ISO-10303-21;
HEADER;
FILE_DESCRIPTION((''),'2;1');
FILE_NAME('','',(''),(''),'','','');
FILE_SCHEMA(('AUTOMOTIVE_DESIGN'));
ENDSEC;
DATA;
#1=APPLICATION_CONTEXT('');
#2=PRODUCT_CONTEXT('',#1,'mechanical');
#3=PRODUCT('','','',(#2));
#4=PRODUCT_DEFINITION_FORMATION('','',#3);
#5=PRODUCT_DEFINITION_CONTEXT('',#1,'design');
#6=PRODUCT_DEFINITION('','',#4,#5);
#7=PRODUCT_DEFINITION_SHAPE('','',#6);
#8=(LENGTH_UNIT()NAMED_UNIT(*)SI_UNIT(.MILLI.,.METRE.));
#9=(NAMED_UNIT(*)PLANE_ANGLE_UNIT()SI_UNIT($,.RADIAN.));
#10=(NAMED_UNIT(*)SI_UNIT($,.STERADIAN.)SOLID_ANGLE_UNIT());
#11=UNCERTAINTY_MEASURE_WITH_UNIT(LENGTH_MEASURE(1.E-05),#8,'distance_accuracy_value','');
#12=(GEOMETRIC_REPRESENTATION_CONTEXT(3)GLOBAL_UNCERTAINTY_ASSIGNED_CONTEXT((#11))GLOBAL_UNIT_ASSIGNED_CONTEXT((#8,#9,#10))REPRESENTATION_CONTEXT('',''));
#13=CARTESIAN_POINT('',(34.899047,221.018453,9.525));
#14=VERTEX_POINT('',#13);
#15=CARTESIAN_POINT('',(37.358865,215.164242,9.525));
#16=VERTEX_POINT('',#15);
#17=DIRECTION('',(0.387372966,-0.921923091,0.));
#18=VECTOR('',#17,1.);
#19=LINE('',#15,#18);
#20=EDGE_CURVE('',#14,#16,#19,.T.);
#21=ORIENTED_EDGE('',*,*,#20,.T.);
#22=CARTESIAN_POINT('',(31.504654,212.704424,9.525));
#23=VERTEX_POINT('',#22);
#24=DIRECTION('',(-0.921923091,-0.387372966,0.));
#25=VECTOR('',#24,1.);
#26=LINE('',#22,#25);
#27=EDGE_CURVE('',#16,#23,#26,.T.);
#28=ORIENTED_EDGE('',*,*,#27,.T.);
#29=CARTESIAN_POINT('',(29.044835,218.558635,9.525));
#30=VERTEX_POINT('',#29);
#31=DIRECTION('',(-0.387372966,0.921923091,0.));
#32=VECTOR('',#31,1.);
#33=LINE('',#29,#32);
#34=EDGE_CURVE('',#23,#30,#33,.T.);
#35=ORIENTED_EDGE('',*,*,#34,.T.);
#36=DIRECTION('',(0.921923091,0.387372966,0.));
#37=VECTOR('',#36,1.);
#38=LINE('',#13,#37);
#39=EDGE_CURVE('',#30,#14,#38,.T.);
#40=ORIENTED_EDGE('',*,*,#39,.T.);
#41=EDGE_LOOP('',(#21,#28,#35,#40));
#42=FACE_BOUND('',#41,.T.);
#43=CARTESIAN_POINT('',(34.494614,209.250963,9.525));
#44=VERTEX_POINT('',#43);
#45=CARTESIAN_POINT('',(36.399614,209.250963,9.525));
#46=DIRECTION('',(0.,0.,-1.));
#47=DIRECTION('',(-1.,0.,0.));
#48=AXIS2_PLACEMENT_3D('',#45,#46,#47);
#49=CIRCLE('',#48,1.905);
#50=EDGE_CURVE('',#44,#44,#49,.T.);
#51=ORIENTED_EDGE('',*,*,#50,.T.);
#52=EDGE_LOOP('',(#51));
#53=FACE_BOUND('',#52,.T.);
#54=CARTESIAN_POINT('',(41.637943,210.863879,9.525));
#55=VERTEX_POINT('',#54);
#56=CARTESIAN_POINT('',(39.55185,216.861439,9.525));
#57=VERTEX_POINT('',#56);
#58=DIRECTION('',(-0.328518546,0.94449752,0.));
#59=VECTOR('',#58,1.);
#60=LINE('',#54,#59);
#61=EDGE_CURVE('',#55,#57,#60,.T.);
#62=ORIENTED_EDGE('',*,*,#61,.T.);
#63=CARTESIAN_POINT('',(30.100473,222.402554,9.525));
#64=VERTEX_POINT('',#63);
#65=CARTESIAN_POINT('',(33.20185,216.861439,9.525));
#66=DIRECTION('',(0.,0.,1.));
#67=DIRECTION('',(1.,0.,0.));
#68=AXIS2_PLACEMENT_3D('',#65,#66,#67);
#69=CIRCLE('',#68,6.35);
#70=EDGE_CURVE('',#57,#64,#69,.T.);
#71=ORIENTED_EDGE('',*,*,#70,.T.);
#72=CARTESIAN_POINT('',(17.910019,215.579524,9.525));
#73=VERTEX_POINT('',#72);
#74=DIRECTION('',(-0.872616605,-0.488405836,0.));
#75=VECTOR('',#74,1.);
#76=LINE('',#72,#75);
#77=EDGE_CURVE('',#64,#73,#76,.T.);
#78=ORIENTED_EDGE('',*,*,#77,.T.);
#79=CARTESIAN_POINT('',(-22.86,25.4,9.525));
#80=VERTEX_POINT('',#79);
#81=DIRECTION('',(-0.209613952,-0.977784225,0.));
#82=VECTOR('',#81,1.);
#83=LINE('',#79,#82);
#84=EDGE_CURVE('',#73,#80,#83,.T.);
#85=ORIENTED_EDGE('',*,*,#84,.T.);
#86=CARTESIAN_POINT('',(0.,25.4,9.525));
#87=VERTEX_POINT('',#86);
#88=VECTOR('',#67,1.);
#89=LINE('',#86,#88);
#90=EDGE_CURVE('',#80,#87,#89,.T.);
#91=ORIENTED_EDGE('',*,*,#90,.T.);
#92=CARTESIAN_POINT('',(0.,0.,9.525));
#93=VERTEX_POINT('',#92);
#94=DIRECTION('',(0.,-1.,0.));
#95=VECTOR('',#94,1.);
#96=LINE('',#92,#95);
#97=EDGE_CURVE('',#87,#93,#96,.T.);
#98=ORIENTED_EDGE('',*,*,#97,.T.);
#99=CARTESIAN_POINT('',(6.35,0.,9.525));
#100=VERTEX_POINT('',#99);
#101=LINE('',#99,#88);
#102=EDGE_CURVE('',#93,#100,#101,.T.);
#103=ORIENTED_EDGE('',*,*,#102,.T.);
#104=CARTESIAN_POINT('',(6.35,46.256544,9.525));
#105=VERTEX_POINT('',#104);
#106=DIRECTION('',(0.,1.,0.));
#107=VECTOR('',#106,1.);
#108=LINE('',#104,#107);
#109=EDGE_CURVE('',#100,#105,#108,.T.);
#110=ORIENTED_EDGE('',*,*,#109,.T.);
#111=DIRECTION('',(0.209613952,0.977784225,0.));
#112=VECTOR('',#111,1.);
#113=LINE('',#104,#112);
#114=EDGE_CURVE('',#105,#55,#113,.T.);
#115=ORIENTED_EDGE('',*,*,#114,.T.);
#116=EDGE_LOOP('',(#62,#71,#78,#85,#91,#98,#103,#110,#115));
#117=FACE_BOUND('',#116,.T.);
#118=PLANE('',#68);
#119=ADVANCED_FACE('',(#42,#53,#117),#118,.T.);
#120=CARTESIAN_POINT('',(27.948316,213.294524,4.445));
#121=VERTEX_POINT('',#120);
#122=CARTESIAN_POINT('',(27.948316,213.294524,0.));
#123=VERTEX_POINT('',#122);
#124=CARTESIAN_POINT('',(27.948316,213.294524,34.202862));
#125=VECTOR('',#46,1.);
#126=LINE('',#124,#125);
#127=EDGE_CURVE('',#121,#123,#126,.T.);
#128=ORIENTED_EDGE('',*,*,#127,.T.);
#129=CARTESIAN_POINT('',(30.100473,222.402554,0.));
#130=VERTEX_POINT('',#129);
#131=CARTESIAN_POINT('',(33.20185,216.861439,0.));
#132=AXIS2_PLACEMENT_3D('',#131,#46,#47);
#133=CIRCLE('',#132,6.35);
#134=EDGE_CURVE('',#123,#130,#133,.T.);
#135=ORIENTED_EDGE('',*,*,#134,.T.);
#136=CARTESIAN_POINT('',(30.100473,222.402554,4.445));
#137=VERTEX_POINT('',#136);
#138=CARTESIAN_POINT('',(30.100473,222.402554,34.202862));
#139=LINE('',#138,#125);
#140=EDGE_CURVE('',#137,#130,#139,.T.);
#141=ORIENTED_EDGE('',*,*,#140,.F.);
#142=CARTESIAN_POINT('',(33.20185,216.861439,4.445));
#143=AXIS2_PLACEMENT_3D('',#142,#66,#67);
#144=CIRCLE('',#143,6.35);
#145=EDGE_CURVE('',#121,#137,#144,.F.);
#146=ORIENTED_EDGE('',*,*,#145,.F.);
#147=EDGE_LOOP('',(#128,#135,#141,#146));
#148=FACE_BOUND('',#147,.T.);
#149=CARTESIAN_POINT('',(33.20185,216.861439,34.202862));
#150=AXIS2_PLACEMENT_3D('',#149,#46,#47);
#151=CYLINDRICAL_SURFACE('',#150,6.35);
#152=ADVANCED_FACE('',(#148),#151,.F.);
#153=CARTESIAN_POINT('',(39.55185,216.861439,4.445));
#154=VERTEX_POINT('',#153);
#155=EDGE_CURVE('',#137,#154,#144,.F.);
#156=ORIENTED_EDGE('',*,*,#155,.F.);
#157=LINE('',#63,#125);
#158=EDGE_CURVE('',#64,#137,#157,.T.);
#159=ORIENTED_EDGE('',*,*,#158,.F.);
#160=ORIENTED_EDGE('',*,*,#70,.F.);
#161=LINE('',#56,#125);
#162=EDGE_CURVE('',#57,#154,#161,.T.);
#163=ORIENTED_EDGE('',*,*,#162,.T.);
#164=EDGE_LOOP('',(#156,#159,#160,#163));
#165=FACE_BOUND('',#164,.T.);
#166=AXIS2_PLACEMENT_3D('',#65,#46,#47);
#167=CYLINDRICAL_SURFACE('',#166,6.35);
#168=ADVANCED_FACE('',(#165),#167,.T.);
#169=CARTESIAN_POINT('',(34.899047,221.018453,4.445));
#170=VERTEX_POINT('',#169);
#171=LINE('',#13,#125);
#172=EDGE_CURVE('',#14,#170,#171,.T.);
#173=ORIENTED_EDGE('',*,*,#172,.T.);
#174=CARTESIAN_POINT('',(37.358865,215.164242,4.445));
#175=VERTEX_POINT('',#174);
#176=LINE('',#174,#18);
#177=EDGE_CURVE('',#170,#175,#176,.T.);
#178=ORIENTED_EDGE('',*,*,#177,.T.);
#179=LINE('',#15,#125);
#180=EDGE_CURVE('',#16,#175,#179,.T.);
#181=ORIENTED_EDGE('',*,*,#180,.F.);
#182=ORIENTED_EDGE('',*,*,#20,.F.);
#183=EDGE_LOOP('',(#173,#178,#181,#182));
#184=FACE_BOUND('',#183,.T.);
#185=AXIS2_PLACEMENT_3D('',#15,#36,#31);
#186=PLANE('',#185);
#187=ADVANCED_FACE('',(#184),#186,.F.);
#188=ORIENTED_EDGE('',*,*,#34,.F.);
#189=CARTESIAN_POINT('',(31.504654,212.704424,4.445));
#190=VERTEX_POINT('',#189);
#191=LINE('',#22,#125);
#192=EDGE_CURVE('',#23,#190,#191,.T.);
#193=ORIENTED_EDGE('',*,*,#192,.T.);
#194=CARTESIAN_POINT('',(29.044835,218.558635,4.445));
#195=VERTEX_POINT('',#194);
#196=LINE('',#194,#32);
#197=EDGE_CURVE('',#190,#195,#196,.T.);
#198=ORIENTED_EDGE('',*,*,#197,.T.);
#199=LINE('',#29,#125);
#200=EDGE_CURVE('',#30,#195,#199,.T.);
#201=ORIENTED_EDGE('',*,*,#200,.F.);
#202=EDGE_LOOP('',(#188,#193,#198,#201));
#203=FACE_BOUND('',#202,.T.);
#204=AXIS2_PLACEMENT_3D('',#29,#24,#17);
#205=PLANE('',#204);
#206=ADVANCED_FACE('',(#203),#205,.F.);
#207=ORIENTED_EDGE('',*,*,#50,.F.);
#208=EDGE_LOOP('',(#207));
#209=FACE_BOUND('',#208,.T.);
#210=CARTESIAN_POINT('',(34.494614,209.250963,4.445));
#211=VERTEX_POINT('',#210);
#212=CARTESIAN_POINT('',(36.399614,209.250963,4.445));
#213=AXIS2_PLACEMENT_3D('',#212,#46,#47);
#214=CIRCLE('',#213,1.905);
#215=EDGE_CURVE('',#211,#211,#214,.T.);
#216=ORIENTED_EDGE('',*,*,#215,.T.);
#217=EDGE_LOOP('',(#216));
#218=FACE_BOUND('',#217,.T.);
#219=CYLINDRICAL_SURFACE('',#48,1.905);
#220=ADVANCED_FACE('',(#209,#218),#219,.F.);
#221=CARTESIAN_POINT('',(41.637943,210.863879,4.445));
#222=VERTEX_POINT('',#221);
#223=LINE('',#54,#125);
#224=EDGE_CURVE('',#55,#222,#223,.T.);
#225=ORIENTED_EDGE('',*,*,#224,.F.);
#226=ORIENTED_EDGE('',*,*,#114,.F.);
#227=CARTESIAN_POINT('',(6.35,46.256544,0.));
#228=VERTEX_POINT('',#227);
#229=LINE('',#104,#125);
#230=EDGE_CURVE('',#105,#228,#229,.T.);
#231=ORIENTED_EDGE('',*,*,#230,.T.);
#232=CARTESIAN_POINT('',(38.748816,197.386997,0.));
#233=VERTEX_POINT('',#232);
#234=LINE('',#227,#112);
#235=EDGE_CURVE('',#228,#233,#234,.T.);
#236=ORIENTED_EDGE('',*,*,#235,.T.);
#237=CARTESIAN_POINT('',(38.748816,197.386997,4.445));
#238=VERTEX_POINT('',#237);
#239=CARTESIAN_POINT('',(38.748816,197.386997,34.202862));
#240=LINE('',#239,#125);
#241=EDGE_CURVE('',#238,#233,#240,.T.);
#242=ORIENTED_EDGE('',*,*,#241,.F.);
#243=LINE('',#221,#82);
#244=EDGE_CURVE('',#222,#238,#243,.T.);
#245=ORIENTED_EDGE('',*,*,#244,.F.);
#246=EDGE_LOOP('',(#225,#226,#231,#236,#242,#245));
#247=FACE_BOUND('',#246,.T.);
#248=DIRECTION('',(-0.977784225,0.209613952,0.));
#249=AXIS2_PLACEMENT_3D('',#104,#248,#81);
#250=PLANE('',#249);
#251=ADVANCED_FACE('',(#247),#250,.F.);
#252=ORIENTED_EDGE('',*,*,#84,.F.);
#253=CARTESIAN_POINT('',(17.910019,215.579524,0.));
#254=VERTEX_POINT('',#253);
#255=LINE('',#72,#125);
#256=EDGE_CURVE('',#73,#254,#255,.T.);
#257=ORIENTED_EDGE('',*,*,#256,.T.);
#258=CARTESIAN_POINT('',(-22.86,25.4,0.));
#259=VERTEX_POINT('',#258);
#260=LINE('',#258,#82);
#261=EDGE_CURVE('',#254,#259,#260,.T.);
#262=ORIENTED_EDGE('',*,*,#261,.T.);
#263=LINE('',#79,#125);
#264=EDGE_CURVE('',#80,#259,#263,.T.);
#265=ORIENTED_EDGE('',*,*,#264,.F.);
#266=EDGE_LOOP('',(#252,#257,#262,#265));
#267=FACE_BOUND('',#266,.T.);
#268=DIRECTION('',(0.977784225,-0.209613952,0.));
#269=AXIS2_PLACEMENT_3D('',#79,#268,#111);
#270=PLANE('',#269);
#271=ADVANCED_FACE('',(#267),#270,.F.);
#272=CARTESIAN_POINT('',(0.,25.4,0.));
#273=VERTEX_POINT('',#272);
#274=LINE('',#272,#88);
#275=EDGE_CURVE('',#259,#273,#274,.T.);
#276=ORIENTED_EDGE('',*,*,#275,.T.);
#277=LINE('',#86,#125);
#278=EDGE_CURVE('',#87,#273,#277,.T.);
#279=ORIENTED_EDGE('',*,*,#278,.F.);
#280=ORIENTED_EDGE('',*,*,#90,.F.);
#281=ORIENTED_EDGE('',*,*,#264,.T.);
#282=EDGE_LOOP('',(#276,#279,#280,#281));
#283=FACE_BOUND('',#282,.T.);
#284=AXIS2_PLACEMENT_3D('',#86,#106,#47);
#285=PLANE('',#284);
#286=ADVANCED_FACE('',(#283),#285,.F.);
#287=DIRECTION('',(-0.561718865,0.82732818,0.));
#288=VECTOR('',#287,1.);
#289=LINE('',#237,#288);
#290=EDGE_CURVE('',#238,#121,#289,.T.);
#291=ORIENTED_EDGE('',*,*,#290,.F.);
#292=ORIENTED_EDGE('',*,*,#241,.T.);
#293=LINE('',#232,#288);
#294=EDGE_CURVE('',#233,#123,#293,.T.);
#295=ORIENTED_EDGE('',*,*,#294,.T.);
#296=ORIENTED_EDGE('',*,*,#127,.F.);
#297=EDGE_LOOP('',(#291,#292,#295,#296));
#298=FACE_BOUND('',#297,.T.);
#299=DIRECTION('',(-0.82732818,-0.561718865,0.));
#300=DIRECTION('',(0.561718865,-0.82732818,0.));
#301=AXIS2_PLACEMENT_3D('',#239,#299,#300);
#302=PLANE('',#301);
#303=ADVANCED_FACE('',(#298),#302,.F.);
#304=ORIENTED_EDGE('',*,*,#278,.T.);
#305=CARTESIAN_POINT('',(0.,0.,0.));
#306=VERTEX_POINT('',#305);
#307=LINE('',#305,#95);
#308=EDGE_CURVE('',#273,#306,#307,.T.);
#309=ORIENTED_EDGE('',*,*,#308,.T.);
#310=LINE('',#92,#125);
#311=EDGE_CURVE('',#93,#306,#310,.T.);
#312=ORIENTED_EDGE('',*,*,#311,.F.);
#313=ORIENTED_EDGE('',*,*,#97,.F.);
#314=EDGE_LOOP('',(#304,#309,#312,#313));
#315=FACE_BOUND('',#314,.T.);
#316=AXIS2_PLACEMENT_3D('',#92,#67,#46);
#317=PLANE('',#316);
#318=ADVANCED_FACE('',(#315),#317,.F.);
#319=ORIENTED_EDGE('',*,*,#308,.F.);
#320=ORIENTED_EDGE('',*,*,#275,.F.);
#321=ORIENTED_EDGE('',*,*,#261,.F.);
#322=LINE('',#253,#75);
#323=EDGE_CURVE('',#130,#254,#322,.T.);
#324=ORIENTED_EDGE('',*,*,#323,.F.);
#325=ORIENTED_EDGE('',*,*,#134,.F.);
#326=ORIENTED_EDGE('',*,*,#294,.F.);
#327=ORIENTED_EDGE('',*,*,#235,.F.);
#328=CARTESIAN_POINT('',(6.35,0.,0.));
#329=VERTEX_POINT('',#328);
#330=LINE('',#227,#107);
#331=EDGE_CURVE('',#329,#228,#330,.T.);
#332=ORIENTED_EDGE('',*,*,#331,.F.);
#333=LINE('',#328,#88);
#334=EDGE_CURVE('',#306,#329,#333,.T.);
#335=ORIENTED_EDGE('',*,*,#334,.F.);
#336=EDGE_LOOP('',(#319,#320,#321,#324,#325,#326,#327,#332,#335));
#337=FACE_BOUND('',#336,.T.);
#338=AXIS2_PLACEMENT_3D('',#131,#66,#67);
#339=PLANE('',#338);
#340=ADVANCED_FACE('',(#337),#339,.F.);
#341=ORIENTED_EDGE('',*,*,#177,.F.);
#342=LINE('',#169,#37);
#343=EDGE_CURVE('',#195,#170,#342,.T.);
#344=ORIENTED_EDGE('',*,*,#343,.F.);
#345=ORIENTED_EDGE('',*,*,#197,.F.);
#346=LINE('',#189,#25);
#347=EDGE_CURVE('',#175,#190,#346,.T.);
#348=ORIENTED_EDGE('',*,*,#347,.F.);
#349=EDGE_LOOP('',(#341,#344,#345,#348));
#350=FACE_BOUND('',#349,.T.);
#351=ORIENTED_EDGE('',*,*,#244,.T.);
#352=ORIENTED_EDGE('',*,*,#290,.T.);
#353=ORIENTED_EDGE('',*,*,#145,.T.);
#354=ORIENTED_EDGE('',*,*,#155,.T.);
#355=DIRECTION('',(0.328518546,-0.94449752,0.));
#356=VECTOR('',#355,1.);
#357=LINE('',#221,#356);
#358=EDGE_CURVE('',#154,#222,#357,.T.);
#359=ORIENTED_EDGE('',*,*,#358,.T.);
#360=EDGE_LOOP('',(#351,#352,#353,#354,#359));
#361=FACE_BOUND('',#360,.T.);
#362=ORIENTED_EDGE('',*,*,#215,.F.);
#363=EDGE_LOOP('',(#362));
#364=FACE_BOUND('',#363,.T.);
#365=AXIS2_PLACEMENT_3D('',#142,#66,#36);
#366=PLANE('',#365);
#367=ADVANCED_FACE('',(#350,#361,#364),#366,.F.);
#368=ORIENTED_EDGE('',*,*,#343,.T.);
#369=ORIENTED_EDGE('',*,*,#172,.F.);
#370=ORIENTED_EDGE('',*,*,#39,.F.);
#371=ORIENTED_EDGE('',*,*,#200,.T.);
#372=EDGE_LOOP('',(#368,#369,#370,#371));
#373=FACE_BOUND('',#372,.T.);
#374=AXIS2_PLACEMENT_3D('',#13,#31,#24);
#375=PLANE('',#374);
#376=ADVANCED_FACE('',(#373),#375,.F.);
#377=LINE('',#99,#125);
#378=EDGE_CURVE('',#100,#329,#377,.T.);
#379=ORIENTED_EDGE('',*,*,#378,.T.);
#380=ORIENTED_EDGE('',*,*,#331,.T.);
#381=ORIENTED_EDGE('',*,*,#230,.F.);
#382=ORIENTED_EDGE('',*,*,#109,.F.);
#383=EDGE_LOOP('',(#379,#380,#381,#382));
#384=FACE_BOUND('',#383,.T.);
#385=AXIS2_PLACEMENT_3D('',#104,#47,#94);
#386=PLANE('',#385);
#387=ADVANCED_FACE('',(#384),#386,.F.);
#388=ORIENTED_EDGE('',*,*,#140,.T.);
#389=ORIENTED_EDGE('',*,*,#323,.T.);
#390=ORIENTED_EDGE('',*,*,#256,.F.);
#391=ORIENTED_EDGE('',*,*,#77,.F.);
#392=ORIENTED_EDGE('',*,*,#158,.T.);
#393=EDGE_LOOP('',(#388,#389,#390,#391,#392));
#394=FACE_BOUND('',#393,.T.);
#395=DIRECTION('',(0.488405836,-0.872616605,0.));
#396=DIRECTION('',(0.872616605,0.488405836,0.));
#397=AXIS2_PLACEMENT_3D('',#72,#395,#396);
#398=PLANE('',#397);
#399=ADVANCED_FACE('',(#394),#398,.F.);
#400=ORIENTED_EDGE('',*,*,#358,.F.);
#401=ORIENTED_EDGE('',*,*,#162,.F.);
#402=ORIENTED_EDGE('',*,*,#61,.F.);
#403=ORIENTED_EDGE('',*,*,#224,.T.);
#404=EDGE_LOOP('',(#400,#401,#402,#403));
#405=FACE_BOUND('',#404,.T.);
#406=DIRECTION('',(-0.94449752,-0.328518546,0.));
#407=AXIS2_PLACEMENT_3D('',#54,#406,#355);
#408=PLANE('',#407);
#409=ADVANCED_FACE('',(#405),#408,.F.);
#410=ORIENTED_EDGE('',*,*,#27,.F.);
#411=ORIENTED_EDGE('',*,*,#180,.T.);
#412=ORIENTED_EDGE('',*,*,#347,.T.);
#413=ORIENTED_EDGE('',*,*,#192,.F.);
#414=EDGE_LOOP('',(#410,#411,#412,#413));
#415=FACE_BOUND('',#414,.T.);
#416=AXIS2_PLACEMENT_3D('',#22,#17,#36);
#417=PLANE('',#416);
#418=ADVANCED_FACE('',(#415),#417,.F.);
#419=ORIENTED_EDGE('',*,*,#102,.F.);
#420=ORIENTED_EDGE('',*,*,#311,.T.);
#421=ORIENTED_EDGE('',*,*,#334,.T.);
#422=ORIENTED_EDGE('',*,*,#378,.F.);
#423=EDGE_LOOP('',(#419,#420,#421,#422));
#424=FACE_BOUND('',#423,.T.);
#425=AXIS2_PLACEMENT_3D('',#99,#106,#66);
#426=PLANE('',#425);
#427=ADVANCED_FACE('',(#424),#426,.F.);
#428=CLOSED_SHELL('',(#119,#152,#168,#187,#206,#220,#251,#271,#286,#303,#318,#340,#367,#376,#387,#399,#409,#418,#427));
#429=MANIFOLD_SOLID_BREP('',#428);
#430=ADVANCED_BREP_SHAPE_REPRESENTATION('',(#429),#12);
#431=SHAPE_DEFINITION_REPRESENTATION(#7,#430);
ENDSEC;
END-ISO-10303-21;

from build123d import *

# Parameters (mm, degrees)
BOSS_EXTRUDE1_DEPTH = 9.525
CUT_EXTRUDE1_START  = -4.445
CUT_EXTRUDE1_DEPTH  = 4.445
SKETCH4_R           = 1.905
CUT_EXTRUDE2_DEPTH  = 228.118627562


with BuildPart() as part:
    # Sketch1 → Boss-Extrude1 (new body)
    with BuildSketch(Plane.XY):
        with BuildLine():
            Line((0, 0), (0, 25.4))
            Line((0, 25.4), (-22.86, 25.4))
            Line((-22.86, 25.4), (17.910019334, 215.579524422))
            Line((17.910019334, 215.579524422), (30.10047331, 222.402553944))
            ThreePointArc((30.10047331, 222.402553944), (36.413450877, 222.339405473), (39.551850365, 216.861438501))
            Line((39.551850365, 216.861438501), (41.637943134, 210.86387925))
            Line((41.637943134, 210.86387925), (6.35, 46.256543942))
            Line((6.35, 46.256543942), (6.35, 0))
            Line((6.35, 0), (0, 0))
        make_face()
    extrude(amount=BOSS_EXTRUDE1_DEPTH)

    # Sketch2 → Cut-Extrude1 (cut)
    with BuildSketch(Plane(origin=(0, 0, 0), x_dir=(-1, 0, 0), z_dir=(0, 0, -1)).offset(CUT_EXTRUDE1_START)):
        with BuildLine():
            Line((-41.637943134, 210.86387925), (-39.551850365, 216.861438501))
            ThreePointArc((-39.551850365, 216.861438501), (-31.336031581, 222.931135385), (-27.948316423, 213.29452371))
            Line((-27.948316423, 213.29452371), (-38.748816351, 197.386996815))
            Line((-38.748816351, 197.386996815), (-41.637943134, 210.86387925))
        make_face()
    extrude(amount=CUT_EXTRUDE1_DEPTH, mode=Mode.SUBTRACT)

    # Sketch4 → Cut-Extrude2 (cut, through all)
    with BuildSketch(Plane(origin=(0, 0, 4.445), x_dir=(-1, 0, 0), z_dir=(0, 0, -1))):
        with Locations((-36.399614201, 209.250963387)):
            Circle(SKETCH4_R)
        Polygon((-29.044835385, 218.558635146), (-31.50465372, 212.70442352), (-37.358865346, 215.164241855), (-34.89904701, 221.018453481), align=None)
    extrude(amount=-CUT_EXTRUDE2_DEPTH, mode=Mode.SUBTRACT)


solid = part.part
